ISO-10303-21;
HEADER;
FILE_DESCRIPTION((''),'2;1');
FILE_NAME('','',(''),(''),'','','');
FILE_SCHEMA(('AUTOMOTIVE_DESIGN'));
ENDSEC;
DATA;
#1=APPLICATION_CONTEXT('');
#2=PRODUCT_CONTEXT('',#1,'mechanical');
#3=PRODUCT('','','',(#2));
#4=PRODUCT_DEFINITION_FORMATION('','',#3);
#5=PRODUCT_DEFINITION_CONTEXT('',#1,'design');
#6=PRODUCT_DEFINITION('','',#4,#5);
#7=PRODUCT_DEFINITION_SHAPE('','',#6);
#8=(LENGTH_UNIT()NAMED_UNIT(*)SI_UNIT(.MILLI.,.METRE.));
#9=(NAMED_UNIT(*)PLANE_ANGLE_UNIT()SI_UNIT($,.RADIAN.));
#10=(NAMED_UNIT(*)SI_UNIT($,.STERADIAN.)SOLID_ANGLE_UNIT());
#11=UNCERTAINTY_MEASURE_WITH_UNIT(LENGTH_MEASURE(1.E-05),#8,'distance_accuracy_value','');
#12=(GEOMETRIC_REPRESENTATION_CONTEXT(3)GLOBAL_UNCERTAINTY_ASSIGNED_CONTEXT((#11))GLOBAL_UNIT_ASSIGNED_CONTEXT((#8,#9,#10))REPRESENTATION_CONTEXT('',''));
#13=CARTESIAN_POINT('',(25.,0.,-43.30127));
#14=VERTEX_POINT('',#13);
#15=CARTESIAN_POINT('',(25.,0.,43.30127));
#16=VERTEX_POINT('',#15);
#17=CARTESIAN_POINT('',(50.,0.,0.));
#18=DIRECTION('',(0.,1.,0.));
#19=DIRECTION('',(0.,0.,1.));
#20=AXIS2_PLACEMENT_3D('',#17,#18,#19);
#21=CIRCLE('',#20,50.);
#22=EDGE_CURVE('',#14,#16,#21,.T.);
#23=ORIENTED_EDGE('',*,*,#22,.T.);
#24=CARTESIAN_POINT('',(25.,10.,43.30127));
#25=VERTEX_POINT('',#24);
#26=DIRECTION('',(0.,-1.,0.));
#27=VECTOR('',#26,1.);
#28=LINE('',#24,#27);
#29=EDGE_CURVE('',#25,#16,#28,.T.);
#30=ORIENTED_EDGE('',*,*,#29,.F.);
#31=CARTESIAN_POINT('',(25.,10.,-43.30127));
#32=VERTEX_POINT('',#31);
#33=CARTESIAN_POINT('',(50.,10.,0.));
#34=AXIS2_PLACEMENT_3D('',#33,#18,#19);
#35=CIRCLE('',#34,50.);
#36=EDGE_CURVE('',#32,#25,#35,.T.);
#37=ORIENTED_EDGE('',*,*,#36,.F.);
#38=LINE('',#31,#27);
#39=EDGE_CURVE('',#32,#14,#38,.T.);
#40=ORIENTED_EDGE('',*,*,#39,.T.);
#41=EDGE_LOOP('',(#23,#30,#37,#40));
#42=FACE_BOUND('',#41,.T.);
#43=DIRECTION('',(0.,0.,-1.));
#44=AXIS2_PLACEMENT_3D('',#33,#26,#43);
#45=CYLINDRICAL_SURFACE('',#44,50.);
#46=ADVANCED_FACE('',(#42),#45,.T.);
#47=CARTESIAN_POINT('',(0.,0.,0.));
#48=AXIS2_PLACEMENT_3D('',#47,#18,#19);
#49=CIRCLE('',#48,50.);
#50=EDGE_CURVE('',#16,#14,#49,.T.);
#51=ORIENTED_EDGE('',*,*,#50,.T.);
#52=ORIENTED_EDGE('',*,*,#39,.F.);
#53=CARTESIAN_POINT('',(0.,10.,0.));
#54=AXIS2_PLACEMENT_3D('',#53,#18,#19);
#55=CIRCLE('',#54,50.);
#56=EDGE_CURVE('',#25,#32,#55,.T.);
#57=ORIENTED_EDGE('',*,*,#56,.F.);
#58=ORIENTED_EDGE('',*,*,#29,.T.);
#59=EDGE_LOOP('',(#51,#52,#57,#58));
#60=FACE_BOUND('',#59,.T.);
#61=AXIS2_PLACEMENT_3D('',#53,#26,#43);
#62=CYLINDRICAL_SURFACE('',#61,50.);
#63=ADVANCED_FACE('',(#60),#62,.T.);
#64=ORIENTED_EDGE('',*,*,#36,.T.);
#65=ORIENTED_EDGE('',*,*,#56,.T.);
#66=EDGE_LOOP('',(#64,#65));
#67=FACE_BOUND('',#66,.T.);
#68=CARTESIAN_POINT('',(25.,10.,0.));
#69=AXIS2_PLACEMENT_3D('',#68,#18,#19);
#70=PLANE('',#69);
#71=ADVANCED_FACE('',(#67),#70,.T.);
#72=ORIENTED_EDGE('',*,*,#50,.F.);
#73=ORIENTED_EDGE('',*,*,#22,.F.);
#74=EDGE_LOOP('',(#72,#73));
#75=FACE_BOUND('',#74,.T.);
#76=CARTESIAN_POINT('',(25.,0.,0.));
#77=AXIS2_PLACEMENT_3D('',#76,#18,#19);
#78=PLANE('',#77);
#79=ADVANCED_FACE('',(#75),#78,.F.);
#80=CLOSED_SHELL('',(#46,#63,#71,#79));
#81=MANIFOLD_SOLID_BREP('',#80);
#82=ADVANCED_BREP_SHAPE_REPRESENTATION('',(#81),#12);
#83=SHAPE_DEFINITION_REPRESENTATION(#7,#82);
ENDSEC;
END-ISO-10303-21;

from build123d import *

# Parameters (mm, degrees)
BOSS_EXTRUDE2_DEPTH = 10


with BuildPart() as part:
    # Sketch1 → Boss-Extrude2 (new body)
    with BuildSketch(Plane(origin=(0, 0, 0), x_dir=(1, 0, 0), z_dir=(0, 1, 0))):
        with BuildLine():
            ThreePointArc((25, -43.301270189), (50, 0), (25, 43.301270189))
            ThreePointArc((25, 43.301270189), (0, 0), (25, -43.301270189))
        make_face()
    extrude(amount=BOSS_EXTRUDE2_DEPTH)


solid = part.part
